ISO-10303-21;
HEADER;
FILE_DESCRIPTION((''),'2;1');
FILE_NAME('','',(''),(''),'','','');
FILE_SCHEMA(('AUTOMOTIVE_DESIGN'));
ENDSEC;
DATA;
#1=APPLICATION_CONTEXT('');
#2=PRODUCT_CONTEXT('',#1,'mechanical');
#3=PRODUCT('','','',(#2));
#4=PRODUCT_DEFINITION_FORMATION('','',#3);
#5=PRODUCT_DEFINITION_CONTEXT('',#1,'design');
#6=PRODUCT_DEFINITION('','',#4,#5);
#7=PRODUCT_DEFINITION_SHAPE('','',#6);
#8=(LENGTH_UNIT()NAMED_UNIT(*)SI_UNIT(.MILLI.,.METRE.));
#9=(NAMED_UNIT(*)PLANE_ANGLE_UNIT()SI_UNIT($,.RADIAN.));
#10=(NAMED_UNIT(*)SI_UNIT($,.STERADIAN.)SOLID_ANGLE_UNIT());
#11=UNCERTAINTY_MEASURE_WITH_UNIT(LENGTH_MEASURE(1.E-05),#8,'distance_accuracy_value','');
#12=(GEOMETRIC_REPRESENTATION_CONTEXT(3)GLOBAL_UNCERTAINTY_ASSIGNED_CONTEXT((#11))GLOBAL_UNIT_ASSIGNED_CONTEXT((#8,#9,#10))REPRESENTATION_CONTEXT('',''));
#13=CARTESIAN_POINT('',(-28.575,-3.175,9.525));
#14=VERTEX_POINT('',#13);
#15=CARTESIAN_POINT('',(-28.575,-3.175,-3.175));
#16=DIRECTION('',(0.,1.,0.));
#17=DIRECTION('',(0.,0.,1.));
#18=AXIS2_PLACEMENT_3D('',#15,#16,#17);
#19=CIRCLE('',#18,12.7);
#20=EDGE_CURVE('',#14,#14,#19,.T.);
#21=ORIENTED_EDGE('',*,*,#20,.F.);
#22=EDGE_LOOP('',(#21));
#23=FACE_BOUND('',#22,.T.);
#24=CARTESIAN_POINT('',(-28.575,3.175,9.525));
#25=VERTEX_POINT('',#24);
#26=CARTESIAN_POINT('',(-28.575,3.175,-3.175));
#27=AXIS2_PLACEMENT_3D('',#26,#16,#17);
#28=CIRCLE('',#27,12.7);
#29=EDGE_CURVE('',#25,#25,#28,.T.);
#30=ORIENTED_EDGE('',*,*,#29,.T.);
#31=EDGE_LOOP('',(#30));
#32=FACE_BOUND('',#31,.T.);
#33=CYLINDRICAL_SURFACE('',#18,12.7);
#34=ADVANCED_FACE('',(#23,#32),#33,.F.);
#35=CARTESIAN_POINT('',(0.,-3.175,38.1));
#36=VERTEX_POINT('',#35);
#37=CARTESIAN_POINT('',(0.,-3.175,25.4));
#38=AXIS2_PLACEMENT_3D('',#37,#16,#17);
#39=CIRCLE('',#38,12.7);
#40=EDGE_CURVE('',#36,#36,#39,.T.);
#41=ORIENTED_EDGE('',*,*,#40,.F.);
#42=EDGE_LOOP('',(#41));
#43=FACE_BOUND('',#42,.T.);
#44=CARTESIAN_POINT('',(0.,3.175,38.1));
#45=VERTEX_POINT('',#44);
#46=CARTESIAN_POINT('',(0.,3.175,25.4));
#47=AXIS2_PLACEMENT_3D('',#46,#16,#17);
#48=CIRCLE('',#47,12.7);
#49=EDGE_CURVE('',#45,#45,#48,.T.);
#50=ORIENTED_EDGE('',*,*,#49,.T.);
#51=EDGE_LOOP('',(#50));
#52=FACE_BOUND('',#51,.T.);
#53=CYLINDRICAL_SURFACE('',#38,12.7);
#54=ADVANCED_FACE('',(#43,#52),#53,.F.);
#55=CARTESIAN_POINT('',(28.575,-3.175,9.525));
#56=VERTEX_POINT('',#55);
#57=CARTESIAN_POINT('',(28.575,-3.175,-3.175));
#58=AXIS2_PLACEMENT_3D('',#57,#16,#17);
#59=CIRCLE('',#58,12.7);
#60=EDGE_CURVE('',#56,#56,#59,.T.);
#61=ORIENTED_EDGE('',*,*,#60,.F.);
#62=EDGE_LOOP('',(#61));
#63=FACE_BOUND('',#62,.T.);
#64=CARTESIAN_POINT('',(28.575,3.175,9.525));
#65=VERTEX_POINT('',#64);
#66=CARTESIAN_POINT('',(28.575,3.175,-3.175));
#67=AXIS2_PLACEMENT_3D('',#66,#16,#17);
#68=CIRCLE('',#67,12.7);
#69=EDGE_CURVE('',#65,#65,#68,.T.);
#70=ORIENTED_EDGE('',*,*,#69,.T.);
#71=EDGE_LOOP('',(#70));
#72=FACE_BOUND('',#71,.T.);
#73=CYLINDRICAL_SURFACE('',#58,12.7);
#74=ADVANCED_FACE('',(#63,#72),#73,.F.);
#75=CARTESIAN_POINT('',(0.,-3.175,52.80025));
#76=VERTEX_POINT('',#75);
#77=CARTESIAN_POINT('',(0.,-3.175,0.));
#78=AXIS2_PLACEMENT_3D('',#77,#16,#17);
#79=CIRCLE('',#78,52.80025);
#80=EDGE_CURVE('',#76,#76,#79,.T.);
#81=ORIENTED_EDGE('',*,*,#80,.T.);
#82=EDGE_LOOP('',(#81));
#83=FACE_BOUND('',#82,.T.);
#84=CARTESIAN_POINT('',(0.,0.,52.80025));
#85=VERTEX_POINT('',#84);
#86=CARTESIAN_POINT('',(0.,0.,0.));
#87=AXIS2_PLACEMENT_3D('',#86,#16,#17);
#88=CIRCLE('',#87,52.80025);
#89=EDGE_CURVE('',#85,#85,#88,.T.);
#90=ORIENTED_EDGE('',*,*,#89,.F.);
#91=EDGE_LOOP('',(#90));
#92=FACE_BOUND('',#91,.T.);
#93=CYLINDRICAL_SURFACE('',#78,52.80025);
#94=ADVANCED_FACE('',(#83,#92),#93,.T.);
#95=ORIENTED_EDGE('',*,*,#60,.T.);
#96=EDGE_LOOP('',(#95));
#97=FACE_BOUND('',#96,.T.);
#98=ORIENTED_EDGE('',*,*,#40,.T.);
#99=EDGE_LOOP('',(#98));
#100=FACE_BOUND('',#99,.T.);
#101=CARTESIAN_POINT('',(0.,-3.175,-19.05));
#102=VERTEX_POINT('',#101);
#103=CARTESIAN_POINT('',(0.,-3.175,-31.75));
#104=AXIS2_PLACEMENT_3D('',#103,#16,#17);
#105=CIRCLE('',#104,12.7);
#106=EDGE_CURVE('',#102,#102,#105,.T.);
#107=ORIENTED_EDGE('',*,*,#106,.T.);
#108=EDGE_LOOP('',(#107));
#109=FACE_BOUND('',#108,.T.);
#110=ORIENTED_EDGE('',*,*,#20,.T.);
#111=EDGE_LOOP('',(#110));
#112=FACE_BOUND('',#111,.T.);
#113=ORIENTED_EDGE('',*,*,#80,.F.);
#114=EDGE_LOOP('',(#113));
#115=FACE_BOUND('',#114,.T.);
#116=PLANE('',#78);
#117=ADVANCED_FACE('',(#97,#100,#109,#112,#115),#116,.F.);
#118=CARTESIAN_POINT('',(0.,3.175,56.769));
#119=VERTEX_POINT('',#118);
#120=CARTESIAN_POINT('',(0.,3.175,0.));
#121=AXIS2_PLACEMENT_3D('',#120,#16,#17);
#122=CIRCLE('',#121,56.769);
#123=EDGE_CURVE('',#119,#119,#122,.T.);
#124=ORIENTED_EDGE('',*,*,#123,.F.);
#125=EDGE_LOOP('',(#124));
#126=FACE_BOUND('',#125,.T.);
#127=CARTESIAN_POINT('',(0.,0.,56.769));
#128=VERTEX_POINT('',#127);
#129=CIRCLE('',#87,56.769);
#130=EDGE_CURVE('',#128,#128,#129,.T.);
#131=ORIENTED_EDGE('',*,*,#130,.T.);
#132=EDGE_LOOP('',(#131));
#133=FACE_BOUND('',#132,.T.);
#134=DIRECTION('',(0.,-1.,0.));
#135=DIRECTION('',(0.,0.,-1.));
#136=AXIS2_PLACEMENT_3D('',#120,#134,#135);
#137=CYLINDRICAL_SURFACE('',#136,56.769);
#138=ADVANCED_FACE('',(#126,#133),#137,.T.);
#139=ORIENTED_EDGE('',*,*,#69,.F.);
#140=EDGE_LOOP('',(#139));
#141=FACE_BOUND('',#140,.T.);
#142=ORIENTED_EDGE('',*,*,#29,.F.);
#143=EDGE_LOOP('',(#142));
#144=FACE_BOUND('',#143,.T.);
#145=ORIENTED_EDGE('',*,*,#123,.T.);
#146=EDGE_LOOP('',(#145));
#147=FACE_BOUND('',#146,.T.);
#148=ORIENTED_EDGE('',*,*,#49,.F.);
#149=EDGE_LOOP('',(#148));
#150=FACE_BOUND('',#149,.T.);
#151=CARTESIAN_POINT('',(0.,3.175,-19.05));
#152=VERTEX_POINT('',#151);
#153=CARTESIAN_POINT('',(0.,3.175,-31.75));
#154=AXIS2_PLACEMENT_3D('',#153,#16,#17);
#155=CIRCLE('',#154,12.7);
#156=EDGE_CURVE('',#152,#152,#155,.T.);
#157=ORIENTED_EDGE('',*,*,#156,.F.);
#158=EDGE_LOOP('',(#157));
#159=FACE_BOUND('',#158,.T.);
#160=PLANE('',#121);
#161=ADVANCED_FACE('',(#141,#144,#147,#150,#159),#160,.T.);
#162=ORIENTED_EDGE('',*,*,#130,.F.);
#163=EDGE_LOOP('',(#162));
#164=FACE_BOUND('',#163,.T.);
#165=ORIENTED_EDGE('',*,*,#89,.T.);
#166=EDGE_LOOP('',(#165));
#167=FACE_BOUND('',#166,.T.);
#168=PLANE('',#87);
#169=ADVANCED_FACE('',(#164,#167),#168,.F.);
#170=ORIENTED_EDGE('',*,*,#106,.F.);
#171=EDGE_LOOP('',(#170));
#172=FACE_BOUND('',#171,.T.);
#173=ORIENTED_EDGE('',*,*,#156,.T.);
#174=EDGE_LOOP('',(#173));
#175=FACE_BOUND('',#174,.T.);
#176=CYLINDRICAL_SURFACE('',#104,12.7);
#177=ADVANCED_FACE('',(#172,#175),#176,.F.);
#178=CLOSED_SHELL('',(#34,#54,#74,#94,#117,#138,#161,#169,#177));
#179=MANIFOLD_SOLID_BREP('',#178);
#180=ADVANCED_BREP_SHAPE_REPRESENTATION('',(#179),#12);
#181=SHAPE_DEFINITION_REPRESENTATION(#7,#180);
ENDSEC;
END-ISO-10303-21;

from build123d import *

# Parameters (mm, degrees)
SKETCH1_R           = 56.769
BOSS_EXTRUDE1_DEPTH = 3.175
SKETCH1_3_R         = 52.80025
BOSS_EXTRUDE2_DEPTH = 3.175
SKETCH2_R           = 12.7
CUT_EXTRUDE1_DEPTH  = 81.534223918


with BuildPart() as part:
    # Sketch1 → Boss-Extrude1 (new body)
    with BuildSketch(Plane(origin=(0, 0, 0), x_dir=(1, 0, 0), z_dir=(0, 1, 0))):
        Circle(SKETCH1_R)
    extrude(amount=BOSS_EXTRUDE1_DEPTH)

    # Sketch1<3> → Boss-Extrude2 (add)
    with BuildSketch(Plane(origin=(0, 0, 0), x_dir=(1, 0, 0), z_dir=(0, 1, 0))):
        Circle(SKETCH1_3_R)
    extrude(amount=-BOSS_EXTRUDE2_DEPTH)

    # Sketch2 → Cut-Extrude1 (cut, through all)
    with BuildSketch(Plane(origin=(0, 3.175, 0), x_dir=(1, 0, 0), z_dir=(0, 1, 0))):
        with Locations((0, 31.75)):
            Circle(SKETCH2_R)
        with Locations((28.575, 3.175)):
            Circle(SKETCH2_R)
        with Locations((0, -25.4)):
            Circle(SKETCH2_R)
        with Locations((-28.575, 3.175)):
            Circle(SKETCH2_R)
    extrude(amount=-CUT_EXTRUDE1_DEPTH, mode=Mode.SUBTRACT)


solid = part.part
